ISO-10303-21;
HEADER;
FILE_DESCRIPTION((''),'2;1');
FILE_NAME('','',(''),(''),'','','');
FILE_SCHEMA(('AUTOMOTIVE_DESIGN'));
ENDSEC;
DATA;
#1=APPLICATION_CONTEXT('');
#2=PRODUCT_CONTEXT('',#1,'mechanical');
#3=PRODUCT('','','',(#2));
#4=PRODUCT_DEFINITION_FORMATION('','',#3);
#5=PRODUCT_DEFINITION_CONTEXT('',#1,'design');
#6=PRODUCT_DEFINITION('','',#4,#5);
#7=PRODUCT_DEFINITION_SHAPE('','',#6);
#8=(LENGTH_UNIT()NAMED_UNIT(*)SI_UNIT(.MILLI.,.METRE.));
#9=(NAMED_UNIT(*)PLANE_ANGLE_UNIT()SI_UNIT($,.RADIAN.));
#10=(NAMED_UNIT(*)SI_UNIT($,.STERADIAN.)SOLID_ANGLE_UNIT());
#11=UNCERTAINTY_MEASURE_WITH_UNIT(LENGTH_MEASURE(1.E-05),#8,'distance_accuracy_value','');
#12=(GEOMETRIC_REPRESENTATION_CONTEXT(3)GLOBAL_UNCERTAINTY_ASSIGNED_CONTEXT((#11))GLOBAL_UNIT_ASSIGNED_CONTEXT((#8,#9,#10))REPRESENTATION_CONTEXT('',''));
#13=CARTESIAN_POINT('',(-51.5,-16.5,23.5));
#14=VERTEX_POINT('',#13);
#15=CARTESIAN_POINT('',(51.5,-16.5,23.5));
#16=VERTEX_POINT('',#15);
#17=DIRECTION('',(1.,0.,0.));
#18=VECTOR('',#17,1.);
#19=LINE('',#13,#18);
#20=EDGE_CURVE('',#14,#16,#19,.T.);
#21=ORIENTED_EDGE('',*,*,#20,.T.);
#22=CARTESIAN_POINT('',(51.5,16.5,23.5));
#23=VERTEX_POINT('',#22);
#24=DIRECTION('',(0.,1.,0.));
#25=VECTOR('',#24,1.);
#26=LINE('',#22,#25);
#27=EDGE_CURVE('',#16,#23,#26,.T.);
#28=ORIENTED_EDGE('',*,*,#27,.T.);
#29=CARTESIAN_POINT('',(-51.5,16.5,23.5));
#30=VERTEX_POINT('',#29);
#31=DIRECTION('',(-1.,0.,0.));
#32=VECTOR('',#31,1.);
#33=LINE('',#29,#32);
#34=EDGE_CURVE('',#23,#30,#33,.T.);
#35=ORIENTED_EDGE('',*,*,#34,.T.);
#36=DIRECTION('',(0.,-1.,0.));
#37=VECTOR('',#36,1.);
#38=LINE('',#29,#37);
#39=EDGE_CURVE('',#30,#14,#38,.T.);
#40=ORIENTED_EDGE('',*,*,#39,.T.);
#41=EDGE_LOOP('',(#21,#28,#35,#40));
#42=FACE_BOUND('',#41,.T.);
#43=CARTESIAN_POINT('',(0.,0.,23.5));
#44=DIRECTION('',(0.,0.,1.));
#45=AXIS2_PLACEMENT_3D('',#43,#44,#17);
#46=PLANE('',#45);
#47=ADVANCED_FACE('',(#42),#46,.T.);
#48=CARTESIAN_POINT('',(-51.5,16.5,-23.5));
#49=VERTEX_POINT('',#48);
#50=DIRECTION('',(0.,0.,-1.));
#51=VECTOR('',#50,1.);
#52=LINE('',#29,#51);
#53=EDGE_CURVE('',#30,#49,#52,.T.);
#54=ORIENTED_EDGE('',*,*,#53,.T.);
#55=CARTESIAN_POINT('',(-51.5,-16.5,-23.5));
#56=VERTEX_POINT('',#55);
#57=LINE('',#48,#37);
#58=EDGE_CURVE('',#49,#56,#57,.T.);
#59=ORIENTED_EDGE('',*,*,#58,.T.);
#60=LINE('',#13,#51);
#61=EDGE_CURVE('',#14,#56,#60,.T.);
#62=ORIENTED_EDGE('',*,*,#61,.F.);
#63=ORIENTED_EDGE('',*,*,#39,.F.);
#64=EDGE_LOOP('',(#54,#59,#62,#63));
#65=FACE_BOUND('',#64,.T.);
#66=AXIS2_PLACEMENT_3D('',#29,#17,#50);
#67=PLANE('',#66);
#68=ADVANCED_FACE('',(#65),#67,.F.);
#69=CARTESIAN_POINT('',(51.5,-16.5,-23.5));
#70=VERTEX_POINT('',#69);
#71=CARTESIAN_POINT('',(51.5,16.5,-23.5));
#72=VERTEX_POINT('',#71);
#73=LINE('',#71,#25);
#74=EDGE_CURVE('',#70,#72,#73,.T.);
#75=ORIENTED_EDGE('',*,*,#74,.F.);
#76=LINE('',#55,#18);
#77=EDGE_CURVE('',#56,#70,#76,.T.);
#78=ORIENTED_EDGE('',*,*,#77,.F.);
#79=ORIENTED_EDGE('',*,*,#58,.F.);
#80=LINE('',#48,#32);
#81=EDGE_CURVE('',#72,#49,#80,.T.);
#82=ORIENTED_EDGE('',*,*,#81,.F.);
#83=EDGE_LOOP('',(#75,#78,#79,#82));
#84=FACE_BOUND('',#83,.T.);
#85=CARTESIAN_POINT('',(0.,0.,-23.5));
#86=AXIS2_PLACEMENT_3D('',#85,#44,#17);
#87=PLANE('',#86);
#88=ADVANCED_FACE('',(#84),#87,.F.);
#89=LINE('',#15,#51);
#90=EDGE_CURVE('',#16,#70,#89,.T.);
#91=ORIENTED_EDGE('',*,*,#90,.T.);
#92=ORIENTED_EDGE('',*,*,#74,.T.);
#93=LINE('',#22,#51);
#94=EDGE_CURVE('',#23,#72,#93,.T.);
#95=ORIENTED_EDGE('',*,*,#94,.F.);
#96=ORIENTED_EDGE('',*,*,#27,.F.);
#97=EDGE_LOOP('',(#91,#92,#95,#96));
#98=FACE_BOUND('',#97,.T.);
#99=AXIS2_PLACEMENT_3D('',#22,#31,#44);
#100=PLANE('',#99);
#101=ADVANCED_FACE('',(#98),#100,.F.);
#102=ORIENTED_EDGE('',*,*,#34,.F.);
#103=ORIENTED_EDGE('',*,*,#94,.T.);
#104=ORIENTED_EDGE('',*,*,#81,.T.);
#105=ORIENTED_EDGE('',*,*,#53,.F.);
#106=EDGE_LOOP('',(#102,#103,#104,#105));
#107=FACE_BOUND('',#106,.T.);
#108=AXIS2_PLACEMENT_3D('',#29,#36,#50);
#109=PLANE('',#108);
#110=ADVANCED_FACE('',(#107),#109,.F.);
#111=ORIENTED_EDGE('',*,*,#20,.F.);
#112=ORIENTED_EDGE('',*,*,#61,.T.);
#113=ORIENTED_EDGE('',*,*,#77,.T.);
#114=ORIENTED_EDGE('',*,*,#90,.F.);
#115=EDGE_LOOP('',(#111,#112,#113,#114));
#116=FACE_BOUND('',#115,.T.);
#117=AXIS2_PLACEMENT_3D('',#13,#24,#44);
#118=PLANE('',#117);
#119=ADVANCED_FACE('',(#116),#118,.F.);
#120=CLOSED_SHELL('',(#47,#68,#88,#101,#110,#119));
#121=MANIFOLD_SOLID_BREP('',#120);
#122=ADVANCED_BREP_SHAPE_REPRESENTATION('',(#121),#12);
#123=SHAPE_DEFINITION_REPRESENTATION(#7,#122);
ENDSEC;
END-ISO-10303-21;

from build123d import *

# Parameters (mm, degrees)
ESBO_O1_W                = 103
ESBO_O1_H                = 33
RESSALTO_EXTRUS_O1_DEPTH = 23.5


with BuildPart() as part:
    # Esboço1 → Ressalto-extrusão1 (new, symmetric)
    with BuildSketch(Plane.XY):
        Rectangle(ESBO_O1_W, ESBO_O1_H)
    extrude(amount=RESSALTO_EXTRUS_O1_DEPTH, both=True)


solid = part.part
